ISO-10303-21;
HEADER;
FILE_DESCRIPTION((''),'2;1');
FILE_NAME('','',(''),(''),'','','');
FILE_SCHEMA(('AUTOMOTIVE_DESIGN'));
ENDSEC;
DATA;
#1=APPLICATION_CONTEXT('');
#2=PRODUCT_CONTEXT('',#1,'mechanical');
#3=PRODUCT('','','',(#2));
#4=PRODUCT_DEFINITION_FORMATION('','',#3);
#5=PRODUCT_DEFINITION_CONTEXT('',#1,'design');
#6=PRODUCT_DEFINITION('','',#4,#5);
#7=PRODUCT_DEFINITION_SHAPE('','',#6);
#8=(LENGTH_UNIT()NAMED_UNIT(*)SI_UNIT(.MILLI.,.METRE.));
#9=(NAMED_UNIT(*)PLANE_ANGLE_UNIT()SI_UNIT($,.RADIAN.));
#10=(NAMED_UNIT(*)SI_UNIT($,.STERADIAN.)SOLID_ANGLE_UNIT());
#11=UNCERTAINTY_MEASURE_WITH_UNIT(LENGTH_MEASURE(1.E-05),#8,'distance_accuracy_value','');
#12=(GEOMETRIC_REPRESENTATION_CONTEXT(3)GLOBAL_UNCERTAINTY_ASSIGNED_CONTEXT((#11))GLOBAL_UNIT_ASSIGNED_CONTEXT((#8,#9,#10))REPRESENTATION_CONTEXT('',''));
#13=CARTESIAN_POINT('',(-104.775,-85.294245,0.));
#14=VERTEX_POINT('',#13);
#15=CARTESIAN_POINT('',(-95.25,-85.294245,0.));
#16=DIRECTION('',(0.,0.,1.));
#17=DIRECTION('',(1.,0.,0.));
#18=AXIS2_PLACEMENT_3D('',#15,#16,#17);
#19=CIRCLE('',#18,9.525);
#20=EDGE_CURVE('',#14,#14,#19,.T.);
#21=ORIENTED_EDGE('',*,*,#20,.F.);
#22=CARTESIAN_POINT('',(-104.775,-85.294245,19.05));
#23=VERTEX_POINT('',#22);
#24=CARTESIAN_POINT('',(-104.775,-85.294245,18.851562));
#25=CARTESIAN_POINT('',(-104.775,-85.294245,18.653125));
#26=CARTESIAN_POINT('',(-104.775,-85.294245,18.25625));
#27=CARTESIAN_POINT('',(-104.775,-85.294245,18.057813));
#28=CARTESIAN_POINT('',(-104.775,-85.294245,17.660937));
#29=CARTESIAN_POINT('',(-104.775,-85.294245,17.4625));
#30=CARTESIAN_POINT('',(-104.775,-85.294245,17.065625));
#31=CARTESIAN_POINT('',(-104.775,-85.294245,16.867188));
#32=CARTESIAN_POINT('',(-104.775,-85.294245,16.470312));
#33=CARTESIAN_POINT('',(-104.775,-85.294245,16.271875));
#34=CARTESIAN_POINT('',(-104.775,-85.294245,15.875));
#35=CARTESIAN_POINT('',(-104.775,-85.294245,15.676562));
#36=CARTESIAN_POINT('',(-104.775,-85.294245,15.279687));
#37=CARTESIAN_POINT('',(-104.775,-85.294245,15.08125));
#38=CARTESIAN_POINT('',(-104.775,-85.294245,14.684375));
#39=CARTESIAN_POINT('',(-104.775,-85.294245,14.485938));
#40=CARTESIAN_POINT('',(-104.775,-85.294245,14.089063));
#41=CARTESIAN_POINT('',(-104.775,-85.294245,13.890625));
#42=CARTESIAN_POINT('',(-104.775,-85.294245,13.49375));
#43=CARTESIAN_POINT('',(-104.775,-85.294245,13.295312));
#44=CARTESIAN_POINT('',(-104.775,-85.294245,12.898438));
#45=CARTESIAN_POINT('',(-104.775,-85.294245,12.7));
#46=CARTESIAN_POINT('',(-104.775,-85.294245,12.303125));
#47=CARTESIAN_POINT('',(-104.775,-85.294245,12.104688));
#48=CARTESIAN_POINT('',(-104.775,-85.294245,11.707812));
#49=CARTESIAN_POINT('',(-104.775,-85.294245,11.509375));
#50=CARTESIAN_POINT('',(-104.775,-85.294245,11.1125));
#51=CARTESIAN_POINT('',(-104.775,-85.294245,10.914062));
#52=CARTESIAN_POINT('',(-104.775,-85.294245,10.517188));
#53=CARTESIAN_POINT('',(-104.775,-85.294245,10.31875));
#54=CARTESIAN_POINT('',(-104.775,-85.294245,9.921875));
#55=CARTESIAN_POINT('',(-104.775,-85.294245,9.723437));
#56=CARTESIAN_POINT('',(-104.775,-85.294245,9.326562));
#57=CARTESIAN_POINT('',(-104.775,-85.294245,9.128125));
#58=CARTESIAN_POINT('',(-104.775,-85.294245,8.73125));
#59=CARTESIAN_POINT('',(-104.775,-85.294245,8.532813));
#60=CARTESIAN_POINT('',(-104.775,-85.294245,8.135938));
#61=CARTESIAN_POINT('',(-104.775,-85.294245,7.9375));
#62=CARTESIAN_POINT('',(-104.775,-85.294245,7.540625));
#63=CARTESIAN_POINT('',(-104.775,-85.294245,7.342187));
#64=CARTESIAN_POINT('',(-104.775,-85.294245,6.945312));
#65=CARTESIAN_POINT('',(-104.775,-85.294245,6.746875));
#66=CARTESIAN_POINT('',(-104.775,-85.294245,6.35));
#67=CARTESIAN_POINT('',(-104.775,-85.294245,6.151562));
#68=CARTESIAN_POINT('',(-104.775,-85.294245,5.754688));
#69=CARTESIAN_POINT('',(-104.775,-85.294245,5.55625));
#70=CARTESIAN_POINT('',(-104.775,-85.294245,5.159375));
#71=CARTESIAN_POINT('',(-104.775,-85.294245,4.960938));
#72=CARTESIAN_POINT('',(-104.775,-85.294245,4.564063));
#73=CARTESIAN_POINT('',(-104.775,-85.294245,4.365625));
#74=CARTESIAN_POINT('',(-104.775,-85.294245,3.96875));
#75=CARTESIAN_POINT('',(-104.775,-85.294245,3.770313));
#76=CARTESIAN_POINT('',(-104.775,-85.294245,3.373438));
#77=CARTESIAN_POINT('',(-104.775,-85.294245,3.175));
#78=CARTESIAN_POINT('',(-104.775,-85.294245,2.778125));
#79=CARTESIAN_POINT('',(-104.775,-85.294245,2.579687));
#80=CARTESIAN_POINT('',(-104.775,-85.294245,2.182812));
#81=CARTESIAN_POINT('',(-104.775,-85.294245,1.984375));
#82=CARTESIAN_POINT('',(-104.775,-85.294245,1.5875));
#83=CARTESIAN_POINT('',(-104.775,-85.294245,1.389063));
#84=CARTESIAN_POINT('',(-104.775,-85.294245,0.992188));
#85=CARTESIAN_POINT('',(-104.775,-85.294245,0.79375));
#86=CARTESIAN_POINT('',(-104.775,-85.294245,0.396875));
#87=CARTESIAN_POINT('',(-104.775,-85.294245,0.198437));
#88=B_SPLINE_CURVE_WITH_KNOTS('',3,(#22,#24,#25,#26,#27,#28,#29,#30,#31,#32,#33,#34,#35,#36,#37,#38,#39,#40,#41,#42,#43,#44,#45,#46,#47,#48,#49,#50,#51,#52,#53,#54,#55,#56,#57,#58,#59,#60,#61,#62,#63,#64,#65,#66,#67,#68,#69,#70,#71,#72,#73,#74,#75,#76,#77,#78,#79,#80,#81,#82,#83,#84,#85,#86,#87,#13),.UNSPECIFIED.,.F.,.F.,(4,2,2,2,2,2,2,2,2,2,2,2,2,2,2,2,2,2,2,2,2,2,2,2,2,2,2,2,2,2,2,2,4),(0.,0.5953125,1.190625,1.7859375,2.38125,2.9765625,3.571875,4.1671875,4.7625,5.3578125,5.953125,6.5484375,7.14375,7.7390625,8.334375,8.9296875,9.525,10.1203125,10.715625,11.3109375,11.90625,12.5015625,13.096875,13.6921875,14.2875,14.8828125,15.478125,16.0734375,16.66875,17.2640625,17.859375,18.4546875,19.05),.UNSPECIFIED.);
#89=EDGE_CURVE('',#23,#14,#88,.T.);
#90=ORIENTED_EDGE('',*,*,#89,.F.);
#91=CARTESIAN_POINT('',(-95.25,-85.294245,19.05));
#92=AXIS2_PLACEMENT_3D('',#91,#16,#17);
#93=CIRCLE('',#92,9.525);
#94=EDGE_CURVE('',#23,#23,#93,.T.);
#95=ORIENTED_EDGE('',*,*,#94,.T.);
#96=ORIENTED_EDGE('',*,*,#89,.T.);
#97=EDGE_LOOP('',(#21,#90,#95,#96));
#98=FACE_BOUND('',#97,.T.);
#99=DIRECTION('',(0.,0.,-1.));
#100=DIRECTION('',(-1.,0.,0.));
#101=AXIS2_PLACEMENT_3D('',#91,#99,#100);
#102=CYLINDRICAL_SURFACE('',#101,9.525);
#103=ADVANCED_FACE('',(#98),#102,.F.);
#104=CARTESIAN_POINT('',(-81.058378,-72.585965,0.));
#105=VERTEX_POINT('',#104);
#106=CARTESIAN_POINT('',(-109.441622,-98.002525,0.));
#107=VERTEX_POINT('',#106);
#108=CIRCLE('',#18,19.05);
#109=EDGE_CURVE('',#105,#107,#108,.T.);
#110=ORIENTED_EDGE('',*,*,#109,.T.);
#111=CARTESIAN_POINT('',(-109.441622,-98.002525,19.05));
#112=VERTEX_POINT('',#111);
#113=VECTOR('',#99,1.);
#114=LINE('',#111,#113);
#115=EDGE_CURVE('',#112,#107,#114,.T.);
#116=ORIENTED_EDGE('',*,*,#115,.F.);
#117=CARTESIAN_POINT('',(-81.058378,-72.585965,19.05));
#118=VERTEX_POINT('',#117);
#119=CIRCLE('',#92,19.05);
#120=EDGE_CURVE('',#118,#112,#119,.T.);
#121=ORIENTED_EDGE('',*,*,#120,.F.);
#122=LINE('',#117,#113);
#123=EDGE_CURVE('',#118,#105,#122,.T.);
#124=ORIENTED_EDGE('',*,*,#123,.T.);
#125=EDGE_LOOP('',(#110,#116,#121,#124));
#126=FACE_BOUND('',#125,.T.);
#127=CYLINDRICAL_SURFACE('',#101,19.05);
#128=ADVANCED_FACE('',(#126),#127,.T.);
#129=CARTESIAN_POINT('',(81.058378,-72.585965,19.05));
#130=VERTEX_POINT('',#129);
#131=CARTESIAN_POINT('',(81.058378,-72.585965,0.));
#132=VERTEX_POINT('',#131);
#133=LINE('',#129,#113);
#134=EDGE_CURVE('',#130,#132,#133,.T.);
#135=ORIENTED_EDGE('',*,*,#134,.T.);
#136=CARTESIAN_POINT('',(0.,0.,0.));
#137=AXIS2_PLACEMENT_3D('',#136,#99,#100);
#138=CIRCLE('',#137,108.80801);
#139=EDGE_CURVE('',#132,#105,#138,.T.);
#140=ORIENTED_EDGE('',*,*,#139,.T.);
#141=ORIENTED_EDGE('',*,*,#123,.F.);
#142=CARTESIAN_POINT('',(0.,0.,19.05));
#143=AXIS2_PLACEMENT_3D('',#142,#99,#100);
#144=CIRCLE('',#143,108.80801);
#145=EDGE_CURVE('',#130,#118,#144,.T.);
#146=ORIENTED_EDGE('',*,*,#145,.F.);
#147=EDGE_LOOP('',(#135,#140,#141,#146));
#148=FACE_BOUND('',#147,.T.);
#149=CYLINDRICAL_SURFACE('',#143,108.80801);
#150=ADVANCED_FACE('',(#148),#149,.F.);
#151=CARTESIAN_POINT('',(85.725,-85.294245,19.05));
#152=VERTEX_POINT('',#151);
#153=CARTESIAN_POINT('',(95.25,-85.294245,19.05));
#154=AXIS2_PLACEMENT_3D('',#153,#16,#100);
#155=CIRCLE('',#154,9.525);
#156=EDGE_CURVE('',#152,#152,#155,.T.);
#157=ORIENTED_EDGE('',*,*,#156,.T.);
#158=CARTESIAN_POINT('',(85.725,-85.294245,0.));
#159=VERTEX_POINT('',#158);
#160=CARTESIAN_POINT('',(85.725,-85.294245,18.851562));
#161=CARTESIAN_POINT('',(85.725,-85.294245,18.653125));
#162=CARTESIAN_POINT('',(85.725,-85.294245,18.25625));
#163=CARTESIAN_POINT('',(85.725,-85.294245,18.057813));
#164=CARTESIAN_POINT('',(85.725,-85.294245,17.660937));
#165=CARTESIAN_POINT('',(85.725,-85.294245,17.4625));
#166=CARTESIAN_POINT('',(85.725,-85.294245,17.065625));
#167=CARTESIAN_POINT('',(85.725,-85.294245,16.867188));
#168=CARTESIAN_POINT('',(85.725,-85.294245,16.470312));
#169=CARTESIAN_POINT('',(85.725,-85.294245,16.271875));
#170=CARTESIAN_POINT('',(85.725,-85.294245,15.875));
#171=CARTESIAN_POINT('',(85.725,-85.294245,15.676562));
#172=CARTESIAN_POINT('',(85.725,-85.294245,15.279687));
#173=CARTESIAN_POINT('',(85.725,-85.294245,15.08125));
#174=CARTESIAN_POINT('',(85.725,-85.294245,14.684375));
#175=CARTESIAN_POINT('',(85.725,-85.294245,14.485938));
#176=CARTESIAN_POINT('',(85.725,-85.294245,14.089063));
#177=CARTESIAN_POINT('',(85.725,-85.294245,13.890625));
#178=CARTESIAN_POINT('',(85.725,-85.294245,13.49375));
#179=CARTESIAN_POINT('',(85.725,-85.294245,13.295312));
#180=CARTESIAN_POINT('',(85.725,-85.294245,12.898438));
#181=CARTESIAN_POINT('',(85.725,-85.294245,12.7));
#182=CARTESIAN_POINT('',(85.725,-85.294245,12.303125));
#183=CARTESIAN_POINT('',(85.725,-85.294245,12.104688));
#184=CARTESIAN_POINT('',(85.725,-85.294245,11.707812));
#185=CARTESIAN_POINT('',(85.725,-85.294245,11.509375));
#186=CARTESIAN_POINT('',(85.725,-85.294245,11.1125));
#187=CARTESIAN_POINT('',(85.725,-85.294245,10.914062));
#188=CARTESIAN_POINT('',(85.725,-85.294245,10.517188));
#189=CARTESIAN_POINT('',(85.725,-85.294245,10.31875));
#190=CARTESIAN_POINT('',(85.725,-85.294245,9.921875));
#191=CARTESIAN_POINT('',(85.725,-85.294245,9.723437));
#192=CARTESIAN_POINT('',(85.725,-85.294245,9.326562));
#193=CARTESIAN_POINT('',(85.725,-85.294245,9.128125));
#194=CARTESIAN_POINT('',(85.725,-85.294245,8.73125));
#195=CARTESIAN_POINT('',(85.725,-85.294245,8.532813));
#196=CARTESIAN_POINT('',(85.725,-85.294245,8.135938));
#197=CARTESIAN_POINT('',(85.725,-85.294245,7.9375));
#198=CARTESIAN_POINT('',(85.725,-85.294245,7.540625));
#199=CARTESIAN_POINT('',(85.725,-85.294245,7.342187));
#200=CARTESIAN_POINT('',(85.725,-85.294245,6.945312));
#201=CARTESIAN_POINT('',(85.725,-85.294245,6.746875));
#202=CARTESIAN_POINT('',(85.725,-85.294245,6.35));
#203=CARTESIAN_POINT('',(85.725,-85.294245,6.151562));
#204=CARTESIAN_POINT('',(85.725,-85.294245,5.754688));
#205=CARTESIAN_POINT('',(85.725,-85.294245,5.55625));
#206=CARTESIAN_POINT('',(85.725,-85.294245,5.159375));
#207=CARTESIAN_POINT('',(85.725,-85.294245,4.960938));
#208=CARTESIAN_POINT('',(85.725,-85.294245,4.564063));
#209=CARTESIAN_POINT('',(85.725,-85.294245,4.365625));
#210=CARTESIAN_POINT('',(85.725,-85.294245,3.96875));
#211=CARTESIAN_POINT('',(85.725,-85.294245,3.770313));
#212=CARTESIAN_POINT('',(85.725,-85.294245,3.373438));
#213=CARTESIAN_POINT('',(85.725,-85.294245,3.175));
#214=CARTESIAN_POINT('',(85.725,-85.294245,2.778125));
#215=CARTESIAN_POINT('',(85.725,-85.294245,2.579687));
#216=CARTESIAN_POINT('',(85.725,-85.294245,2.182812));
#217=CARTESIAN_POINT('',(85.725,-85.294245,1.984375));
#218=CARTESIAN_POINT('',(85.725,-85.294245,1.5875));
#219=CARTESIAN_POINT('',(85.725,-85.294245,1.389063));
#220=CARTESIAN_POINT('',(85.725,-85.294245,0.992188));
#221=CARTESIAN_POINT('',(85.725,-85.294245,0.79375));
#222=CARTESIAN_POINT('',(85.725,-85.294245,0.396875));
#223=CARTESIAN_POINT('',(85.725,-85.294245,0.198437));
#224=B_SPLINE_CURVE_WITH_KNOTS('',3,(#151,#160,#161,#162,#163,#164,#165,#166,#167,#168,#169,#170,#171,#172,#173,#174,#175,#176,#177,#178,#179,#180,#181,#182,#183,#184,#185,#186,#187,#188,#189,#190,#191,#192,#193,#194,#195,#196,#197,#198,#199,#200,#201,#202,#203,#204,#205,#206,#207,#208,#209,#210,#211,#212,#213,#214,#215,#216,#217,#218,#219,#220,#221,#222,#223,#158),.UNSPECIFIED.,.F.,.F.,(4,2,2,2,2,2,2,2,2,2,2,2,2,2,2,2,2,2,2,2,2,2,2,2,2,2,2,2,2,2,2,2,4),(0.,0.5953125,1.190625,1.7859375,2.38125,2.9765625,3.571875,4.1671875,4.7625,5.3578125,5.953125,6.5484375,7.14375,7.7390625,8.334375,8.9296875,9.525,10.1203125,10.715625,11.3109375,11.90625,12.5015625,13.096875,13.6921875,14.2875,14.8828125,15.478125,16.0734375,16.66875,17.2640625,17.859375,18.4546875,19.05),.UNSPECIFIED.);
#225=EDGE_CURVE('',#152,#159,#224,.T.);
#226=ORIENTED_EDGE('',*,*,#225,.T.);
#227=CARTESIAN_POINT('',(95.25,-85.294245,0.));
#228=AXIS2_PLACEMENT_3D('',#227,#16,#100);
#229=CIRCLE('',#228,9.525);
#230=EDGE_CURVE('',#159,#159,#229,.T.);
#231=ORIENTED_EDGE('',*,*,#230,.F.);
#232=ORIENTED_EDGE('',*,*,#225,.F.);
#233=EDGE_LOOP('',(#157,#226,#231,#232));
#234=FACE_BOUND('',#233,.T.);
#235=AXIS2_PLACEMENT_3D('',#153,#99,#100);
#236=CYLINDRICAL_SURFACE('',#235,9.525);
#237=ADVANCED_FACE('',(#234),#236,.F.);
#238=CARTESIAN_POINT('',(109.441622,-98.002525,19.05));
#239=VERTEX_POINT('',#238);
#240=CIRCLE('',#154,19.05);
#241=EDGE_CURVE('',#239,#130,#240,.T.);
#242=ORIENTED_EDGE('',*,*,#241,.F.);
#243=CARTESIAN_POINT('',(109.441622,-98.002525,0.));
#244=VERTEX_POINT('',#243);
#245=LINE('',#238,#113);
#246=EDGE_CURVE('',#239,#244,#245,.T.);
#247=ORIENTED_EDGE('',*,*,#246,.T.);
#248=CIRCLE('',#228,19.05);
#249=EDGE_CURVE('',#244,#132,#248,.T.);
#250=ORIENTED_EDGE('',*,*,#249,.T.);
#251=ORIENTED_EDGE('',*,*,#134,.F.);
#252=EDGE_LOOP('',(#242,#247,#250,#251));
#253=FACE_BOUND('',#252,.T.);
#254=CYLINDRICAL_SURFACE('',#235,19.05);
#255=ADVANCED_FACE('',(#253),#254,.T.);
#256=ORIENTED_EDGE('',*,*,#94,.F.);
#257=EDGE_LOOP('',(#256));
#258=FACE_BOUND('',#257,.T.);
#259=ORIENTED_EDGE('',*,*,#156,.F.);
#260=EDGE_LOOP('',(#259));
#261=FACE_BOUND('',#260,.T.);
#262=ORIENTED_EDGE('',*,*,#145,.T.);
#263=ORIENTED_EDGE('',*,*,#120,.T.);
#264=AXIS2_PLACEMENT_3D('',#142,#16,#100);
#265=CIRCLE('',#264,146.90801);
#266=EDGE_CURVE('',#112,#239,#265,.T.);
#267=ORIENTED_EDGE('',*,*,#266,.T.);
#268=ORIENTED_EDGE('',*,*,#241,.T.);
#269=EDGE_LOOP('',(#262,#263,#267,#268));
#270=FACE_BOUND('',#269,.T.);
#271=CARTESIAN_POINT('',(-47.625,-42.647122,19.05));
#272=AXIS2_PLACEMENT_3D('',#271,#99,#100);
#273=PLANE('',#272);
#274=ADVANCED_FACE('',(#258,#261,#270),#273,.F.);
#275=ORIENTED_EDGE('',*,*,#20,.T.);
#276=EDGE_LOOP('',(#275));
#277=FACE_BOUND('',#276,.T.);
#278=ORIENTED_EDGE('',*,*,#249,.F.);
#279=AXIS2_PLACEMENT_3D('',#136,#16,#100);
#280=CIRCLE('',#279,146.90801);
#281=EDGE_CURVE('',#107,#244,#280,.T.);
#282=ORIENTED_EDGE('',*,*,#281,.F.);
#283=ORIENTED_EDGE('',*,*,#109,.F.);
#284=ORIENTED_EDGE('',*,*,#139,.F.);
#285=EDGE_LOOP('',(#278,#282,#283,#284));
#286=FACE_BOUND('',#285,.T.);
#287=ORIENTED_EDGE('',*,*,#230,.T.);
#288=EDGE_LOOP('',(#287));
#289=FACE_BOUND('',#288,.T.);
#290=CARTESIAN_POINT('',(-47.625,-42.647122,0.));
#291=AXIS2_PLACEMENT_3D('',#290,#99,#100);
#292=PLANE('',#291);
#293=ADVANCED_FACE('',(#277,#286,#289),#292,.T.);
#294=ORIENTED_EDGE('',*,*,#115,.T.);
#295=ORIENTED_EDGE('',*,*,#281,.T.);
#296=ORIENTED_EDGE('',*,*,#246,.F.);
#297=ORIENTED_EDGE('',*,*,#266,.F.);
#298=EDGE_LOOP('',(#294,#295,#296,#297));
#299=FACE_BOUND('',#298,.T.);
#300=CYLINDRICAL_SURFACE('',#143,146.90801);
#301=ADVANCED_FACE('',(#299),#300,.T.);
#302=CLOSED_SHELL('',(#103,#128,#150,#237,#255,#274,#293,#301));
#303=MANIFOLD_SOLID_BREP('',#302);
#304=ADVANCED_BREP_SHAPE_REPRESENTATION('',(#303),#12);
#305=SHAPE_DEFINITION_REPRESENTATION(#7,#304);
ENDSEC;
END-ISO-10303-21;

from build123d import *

# Parameters (mm, degrees)
SKETCH1_R           = 9.525
BOSS_EXTRUDE1_DEPTH = 19.05


with BuildPart() as part:
    # Sketch1 → Boss-Extrude1 (new body)
    with BuildSketch(Plane.XY):
        with BuildLine():
            ThreePointArc((81.058378375, -72.585965178), (107.958279807, -71.10262336), (109.441621625, -98.002524792))
            ThreePointArc((109.441621625, -98.002524792), (0, -146.908010025), (-109.441621625, -98.002524792))
            ThreePointArc((-109.441621625, -98.002524792), (-107.958279807, -71.10262336), (-81.058378375, -72.585965178))
            ThreePointArc((-81.058378375, -72.585965178), (0, -108.808010025), (81.058378375, -72.585965178))
        make_face()
        with Locations(Location((-95.25, -85.294244985, 0), (0, 0, 180))):
            Circle(SKETCH1_R, mode=Mode.SUBTRACT)
        with Locations(Location((95.25, -85.294244985, 0), (0, 0, 180))):
            Circle(SKETCH1_R, mode=Mode.SUBTRACT)
    extrude(amount=BOSS_EXTRUDE1_DEPTH)


solid = part.part
